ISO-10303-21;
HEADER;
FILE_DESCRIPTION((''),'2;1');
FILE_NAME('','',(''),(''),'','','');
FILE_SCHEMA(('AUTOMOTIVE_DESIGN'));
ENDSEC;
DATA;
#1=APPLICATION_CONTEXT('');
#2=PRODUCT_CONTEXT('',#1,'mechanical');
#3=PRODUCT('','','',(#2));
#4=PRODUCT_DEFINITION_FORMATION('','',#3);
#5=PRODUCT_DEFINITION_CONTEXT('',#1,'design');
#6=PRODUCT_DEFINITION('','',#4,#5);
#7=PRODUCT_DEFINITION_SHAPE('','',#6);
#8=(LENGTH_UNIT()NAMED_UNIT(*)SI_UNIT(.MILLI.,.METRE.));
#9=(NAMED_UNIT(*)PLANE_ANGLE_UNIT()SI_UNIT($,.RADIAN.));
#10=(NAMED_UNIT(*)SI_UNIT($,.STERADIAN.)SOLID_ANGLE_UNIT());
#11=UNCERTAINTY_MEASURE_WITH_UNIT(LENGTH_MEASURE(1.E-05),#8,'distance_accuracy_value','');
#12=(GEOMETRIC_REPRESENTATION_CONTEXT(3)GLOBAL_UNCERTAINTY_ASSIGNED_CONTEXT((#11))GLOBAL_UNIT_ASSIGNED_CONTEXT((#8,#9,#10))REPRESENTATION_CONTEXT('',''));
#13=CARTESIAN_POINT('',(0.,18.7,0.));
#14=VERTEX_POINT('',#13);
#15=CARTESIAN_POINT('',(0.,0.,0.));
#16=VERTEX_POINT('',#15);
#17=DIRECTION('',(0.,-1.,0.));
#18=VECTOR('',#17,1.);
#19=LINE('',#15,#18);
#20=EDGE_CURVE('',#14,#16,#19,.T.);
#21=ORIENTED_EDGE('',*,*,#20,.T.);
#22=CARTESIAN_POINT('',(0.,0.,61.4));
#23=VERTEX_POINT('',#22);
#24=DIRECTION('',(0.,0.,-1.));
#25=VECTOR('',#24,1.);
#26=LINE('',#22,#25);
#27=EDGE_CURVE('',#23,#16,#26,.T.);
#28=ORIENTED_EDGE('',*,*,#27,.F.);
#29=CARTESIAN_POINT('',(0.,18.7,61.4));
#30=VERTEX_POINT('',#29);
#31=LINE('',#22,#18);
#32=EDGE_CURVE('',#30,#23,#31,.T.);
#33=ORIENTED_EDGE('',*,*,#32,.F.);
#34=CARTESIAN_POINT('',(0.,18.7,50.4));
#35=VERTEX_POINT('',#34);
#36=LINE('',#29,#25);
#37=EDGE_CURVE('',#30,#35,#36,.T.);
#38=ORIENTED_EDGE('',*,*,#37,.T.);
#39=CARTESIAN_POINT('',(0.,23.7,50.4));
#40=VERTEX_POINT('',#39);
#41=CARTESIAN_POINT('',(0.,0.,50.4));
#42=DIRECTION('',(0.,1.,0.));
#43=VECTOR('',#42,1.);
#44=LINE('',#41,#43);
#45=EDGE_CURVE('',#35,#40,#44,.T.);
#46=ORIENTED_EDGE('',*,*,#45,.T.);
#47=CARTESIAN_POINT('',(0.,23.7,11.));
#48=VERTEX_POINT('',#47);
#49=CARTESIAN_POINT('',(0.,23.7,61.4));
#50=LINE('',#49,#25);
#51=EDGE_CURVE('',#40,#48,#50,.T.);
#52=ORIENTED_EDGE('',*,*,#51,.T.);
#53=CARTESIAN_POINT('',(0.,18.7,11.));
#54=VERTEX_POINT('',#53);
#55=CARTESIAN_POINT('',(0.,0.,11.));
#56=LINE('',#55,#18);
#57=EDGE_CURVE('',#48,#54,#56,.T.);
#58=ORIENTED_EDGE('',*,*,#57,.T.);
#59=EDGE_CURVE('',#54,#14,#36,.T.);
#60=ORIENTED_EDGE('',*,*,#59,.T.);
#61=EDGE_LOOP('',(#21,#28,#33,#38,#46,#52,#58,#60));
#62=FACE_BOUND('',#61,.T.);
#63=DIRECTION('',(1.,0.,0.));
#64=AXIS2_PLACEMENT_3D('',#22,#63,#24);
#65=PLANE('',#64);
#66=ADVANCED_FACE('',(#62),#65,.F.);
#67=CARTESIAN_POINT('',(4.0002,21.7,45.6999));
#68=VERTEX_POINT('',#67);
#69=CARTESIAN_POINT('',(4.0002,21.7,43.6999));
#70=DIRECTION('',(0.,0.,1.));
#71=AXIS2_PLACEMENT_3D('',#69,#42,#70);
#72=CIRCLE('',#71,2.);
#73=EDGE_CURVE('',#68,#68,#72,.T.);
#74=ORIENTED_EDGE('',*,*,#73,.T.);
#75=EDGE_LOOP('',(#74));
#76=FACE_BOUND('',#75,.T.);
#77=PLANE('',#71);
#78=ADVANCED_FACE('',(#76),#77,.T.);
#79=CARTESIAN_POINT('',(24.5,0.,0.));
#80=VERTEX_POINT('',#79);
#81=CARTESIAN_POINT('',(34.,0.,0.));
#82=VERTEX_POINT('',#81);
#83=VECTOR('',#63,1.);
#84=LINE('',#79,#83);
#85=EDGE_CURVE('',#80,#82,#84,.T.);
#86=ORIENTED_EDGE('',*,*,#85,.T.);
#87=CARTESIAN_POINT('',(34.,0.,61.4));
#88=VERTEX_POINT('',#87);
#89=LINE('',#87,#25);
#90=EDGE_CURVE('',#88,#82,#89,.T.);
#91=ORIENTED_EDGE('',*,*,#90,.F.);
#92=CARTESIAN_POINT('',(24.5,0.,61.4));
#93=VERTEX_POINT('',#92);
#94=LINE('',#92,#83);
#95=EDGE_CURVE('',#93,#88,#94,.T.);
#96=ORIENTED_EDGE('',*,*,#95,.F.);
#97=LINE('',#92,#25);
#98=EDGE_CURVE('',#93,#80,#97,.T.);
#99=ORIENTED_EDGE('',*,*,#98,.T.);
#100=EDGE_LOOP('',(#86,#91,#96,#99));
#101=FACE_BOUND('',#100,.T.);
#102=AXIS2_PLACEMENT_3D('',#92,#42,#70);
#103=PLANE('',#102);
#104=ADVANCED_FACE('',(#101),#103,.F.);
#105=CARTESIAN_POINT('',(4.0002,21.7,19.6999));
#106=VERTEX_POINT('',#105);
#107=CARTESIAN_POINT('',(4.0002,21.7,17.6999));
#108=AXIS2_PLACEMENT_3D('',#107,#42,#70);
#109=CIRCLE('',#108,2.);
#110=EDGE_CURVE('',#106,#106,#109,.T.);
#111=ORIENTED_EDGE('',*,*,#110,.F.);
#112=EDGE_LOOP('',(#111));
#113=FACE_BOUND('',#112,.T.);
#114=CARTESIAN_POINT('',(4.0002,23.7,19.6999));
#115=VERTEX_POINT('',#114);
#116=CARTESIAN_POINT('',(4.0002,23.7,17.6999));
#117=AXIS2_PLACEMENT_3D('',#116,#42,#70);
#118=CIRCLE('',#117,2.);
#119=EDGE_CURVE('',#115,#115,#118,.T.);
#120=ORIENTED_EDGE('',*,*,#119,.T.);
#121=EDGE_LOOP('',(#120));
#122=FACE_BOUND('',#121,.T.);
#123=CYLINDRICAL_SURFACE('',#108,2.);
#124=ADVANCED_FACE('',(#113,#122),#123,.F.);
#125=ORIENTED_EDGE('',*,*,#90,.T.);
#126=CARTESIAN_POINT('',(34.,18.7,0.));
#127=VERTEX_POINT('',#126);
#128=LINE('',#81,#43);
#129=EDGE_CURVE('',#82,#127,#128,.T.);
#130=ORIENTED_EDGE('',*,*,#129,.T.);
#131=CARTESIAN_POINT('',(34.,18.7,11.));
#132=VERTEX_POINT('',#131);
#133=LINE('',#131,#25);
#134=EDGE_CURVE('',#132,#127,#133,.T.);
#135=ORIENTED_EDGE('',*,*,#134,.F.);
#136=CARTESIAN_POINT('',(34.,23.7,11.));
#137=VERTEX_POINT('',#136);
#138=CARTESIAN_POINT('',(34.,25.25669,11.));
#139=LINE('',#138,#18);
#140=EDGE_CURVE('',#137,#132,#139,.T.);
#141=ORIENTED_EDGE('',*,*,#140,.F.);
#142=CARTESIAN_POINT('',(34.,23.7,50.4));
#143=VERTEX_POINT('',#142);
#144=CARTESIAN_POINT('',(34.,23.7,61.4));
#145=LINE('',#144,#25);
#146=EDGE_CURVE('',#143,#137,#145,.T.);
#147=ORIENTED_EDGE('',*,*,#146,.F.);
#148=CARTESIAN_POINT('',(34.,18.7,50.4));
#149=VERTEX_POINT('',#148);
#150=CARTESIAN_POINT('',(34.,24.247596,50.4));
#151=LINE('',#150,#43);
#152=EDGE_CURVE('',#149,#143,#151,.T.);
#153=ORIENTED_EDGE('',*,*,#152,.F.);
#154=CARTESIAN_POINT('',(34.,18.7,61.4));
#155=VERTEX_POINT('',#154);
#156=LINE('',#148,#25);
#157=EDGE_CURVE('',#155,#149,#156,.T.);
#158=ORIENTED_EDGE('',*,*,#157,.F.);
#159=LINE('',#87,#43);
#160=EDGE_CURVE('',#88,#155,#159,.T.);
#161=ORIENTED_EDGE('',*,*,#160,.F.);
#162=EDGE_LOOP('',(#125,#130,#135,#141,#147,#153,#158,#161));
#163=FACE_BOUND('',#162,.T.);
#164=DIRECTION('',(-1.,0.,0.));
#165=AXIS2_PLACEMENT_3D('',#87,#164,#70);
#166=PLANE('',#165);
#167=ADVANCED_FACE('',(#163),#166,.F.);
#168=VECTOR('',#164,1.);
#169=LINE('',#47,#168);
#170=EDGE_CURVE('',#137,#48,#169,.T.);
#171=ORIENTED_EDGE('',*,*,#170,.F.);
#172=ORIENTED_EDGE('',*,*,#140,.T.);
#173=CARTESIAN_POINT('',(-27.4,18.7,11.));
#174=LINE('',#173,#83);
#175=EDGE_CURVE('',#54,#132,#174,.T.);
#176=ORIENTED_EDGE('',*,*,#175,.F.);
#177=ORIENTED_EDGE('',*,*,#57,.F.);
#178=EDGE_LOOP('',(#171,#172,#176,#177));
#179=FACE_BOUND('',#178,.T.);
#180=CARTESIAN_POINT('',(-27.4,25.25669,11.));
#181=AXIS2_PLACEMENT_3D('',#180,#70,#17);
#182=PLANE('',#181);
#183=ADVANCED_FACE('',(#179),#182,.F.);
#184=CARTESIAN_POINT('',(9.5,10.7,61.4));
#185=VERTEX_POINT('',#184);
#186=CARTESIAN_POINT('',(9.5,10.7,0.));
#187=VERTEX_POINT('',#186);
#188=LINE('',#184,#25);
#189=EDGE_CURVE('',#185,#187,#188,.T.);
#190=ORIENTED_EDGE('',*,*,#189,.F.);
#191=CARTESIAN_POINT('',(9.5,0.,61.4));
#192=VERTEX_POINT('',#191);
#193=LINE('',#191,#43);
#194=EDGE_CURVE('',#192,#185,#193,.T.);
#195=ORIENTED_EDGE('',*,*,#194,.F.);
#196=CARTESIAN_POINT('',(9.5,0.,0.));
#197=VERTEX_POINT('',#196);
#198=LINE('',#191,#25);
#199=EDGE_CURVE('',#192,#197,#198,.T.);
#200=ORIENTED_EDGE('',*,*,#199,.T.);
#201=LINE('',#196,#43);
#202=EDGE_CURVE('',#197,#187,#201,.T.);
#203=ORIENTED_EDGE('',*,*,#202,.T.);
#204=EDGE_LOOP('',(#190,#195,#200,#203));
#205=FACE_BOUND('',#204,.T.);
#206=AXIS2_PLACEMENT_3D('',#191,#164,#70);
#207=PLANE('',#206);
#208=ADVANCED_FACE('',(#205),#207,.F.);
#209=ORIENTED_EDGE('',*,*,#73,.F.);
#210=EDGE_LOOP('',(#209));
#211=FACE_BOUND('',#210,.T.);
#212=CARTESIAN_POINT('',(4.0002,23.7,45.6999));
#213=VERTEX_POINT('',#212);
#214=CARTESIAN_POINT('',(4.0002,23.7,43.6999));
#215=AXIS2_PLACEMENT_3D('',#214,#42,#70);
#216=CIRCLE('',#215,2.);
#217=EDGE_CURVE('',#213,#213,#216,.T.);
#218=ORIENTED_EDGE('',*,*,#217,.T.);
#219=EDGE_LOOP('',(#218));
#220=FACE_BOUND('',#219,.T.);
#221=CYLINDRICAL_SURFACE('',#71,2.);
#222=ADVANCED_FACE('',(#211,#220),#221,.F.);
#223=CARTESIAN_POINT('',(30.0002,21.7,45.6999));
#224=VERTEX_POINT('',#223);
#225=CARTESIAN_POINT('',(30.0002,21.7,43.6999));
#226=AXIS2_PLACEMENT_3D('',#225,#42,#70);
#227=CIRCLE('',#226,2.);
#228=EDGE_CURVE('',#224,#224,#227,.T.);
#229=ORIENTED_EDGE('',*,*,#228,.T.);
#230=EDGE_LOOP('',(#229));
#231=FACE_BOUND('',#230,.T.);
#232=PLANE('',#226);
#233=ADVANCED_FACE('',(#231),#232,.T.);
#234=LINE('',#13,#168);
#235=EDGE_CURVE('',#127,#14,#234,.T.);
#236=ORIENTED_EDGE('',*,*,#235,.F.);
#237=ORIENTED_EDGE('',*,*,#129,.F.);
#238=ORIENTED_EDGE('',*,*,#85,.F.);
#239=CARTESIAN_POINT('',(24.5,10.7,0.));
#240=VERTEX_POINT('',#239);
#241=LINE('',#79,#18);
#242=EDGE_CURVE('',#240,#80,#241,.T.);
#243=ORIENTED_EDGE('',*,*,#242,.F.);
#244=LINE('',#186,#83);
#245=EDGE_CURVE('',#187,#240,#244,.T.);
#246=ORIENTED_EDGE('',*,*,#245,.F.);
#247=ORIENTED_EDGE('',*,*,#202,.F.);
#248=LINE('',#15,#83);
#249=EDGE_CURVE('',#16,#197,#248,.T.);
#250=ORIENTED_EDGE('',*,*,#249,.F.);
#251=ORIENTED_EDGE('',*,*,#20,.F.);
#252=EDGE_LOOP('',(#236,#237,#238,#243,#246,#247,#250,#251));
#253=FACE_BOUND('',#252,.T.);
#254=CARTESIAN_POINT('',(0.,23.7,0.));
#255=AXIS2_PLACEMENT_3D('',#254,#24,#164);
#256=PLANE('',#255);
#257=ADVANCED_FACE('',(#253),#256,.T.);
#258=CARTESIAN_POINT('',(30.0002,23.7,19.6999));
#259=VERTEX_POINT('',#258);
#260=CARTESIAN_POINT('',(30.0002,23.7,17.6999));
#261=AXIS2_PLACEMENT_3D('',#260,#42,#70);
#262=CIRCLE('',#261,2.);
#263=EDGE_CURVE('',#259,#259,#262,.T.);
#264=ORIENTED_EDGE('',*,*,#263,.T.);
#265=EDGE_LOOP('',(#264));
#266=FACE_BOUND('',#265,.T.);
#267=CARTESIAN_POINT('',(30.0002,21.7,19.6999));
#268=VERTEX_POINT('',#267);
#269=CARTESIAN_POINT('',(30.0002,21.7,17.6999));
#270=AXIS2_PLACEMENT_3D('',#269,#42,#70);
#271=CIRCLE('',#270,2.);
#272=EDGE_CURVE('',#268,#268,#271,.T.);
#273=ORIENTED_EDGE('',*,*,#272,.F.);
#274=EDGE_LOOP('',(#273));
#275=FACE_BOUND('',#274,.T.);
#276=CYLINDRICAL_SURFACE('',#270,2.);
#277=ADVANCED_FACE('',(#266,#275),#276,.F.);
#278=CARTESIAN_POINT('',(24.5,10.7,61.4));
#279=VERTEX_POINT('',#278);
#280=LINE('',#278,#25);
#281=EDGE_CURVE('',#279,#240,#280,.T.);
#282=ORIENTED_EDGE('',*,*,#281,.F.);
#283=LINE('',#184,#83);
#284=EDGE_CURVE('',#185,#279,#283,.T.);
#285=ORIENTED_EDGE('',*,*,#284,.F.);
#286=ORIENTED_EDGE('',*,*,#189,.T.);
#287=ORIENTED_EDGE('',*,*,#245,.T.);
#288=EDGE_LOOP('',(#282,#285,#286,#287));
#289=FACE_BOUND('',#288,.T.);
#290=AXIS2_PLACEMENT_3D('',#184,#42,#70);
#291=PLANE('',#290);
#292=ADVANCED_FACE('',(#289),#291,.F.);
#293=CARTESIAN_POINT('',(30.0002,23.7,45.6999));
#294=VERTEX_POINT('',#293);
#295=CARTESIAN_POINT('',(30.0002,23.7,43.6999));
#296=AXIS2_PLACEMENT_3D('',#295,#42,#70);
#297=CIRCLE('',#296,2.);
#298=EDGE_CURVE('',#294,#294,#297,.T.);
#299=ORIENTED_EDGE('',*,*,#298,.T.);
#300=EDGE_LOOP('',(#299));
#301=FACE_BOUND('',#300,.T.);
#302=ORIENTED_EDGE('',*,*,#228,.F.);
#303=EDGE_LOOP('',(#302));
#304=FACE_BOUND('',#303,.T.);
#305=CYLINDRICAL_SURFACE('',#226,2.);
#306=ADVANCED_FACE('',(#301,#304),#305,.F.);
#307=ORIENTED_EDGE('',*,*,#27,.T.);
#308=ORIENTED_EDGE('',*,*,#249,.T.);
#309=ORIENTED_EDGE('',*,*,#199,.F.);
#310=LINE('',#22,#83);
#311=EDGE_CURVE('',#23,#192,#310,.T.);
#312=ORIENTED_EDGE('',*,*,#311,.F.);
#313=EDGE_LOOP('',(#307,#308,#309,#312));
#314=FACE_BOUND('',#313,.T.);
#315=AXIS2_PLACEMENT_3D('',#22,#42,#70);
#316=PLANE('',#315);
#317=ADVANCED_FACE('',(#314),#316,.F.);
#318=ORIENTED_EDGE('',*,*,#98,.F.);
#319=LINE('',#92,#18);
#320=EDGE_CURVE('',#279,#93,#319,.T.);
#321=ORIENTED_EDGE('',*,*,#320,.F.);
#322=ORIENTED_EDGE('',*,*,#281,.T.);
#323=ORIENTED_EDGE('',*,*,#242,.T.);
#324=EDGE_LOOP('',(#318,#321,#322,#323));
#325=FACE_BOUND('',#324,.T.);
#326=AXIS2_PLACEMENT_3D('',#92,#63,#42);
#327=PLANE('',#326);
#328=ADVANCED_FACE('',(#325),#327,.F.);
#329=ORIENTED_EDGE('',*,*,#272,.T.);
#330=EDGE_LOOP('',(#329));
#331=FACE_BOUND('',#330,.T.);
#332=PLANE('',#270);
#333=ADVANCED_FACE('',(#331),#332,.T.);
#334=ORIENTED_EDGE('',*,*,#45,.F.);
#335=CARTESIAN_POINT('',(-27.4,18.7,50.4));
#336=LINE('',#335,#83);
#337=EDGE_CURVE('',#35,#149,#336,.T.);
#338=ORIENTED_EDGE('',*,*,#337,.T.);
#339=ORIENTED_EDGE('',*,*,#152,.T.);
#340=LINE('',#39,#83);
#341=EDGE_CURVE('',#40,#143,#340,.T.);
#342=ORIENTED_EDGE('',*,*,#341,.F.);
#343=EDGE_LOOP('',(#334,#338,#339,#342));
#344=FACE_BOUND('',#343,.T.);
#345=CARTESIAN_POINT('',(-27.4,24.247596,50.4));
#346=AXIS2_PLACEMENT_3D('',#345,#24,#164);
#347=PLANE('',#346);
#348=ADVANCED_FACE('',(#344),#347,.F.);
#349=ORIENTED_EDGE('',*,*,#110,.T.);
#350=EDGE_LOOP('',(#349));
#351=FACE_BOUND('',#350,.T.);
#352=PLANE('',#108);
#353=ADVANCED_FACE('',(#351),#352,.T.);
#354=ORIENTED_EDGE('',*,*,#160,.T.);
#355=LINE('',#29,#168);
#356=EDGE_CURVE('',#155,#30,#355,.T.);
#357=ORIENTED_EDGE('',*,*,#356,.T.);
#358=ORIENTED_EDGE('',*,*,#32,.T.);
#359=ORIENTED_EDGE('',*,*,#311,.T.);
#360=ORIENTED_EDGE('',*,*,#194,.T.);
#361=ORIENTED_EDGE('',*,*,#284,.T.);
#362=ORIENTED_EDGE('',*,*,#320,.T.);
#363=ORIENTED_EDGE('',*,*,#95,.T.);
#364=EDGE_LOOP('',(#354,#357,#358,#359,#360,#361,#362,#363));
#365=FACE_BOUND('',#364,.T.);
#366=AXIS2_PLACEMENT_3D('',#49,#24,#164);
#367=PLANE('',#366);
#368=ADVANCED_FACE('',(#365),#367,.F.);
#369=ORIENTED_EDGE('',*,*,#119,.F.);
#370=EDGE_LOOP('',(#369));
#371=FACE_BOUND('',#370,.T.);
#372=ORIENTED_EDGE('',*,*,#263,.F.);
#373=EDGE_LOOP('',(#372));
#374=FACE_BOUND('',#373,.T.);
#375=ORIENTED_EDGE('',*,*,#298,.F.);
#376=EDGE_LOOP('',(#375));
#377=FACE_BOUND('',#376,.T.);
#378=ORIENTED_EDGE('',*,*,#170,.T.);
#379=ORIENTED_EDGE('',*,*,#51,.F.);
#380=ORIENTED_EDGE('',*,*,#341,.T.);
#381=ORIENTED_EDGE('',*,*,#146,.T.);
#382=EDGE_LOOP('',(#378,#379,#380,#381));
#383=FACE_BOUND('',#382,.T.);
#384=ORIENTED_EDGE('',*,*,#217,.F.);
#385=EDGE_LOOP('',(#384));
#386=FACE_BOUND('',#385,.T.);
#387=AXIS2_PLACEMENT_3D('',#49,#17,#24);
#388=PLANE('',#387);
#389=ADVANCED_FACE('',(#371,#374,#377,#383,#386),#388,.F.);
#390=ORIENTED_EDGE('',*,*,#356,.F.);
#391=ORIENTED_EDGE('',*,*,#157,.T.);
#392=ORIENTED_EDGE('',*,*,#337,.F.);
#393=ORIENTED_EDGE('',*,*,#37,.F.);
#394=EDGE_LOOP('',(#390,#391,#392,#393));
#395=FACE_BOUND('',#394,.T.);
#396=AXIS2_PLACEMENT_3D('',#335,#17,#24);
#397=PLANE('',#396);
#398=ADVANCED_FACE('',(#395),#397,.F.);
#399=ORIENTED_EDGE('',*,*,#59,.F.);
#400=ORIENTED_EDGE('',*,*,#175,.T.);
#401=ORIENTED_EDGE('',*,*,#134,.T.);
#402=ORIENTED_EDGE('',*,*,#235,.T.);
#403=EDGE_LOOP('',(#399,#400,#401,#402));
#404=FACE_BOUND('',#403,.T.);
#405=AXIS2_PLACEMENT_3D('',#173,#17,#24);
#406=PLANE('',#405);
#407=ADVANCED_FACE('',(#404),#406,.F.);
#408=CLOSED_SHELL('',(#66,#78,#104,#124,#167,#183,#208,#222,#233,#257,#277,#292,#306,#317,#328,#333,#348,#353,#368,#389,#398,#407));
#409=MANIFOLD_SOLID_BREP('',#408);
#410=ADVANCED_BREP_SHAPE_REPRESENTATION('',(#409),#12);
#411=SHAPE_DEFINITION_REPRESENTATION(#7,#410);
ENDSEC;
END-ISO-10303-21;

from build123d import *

# Parameters (mm, degrees)
EXTRUDE_1_DEPTH     = 61.4
SKETCH_2_W          = 17.963644186
SKETCH_2_H          = 5.547595999
SKETCH_2_W_2        = 22.810435624
SKETCH_2_H_2        = 6.55669033
CUT_EXTRUDE_1_DEPTH = 61.4
SKETCH_3_R          = 2
CUT_EXTRUDE_2_DEPTH = 2


with BuildPart() as part:
    # Эскиз1 → Вытянуть1 (new body)
    with BuildSketch(Plane.XY):
        Polygon((24.5, 0), (34, 0), (34, 23.7), (0, 23.7), (0, 0), (9.5, 0), (9.5, 10.7), (24.5, 10.7), align=None)
    extrude(amount=EXTRUDE_1_DEPTH)

    # Эскиз2 → Вырез-Вытянуть1 (cut)
    with BuildSketch(Plane(origin=(34, 0, 0), x_dir=(0, 0, -1), z_dir=(1, 0, 0))):
        with Locations((-59.381822093, 21.473798)):
            Rectangle(SKETCH_2_W, SKETCH_2_H)
        with Locations((0.405217812, 21.978345165)):
            Rectangle(SKETCH_2_W_2, SKETCH_2_H_2)
    extrude(amount=-CUT_EXTRUDE_1_DEPTH, mode=Mode.SUBTRACT)

    # Эскиз3 → Вырез-Вытянуть2 (cut)
    with BuildSketch(Plane(origin=(0, 23.7, 0), x_dir=(-1, 0, 0), z_dir=(0, 1, 0))):
        with Locations(Location((-4.0002, 17.6999, 0), (0, 0, 90))):
            Circle(SKETCH_3_R)
        with Locations(Location((-30.0002, 17.6999, 0), (0, 0, 90))):
            Circle(SKETCH_3_R)
        with Locations(Location((-4.0002, 43.6999, 0), (0, 0, 90))):
            Circle(SKETCH_3_R)
        with Locations(Location((-30.0002, 43.6999, 0), (0, 0, 90))):
            Circle(SKETCH_3_R)
    extrude(amount=-CUT_EXTRUDE_2_DEPTH, mode=Mode.SUBTRACT)


solid = part.part
